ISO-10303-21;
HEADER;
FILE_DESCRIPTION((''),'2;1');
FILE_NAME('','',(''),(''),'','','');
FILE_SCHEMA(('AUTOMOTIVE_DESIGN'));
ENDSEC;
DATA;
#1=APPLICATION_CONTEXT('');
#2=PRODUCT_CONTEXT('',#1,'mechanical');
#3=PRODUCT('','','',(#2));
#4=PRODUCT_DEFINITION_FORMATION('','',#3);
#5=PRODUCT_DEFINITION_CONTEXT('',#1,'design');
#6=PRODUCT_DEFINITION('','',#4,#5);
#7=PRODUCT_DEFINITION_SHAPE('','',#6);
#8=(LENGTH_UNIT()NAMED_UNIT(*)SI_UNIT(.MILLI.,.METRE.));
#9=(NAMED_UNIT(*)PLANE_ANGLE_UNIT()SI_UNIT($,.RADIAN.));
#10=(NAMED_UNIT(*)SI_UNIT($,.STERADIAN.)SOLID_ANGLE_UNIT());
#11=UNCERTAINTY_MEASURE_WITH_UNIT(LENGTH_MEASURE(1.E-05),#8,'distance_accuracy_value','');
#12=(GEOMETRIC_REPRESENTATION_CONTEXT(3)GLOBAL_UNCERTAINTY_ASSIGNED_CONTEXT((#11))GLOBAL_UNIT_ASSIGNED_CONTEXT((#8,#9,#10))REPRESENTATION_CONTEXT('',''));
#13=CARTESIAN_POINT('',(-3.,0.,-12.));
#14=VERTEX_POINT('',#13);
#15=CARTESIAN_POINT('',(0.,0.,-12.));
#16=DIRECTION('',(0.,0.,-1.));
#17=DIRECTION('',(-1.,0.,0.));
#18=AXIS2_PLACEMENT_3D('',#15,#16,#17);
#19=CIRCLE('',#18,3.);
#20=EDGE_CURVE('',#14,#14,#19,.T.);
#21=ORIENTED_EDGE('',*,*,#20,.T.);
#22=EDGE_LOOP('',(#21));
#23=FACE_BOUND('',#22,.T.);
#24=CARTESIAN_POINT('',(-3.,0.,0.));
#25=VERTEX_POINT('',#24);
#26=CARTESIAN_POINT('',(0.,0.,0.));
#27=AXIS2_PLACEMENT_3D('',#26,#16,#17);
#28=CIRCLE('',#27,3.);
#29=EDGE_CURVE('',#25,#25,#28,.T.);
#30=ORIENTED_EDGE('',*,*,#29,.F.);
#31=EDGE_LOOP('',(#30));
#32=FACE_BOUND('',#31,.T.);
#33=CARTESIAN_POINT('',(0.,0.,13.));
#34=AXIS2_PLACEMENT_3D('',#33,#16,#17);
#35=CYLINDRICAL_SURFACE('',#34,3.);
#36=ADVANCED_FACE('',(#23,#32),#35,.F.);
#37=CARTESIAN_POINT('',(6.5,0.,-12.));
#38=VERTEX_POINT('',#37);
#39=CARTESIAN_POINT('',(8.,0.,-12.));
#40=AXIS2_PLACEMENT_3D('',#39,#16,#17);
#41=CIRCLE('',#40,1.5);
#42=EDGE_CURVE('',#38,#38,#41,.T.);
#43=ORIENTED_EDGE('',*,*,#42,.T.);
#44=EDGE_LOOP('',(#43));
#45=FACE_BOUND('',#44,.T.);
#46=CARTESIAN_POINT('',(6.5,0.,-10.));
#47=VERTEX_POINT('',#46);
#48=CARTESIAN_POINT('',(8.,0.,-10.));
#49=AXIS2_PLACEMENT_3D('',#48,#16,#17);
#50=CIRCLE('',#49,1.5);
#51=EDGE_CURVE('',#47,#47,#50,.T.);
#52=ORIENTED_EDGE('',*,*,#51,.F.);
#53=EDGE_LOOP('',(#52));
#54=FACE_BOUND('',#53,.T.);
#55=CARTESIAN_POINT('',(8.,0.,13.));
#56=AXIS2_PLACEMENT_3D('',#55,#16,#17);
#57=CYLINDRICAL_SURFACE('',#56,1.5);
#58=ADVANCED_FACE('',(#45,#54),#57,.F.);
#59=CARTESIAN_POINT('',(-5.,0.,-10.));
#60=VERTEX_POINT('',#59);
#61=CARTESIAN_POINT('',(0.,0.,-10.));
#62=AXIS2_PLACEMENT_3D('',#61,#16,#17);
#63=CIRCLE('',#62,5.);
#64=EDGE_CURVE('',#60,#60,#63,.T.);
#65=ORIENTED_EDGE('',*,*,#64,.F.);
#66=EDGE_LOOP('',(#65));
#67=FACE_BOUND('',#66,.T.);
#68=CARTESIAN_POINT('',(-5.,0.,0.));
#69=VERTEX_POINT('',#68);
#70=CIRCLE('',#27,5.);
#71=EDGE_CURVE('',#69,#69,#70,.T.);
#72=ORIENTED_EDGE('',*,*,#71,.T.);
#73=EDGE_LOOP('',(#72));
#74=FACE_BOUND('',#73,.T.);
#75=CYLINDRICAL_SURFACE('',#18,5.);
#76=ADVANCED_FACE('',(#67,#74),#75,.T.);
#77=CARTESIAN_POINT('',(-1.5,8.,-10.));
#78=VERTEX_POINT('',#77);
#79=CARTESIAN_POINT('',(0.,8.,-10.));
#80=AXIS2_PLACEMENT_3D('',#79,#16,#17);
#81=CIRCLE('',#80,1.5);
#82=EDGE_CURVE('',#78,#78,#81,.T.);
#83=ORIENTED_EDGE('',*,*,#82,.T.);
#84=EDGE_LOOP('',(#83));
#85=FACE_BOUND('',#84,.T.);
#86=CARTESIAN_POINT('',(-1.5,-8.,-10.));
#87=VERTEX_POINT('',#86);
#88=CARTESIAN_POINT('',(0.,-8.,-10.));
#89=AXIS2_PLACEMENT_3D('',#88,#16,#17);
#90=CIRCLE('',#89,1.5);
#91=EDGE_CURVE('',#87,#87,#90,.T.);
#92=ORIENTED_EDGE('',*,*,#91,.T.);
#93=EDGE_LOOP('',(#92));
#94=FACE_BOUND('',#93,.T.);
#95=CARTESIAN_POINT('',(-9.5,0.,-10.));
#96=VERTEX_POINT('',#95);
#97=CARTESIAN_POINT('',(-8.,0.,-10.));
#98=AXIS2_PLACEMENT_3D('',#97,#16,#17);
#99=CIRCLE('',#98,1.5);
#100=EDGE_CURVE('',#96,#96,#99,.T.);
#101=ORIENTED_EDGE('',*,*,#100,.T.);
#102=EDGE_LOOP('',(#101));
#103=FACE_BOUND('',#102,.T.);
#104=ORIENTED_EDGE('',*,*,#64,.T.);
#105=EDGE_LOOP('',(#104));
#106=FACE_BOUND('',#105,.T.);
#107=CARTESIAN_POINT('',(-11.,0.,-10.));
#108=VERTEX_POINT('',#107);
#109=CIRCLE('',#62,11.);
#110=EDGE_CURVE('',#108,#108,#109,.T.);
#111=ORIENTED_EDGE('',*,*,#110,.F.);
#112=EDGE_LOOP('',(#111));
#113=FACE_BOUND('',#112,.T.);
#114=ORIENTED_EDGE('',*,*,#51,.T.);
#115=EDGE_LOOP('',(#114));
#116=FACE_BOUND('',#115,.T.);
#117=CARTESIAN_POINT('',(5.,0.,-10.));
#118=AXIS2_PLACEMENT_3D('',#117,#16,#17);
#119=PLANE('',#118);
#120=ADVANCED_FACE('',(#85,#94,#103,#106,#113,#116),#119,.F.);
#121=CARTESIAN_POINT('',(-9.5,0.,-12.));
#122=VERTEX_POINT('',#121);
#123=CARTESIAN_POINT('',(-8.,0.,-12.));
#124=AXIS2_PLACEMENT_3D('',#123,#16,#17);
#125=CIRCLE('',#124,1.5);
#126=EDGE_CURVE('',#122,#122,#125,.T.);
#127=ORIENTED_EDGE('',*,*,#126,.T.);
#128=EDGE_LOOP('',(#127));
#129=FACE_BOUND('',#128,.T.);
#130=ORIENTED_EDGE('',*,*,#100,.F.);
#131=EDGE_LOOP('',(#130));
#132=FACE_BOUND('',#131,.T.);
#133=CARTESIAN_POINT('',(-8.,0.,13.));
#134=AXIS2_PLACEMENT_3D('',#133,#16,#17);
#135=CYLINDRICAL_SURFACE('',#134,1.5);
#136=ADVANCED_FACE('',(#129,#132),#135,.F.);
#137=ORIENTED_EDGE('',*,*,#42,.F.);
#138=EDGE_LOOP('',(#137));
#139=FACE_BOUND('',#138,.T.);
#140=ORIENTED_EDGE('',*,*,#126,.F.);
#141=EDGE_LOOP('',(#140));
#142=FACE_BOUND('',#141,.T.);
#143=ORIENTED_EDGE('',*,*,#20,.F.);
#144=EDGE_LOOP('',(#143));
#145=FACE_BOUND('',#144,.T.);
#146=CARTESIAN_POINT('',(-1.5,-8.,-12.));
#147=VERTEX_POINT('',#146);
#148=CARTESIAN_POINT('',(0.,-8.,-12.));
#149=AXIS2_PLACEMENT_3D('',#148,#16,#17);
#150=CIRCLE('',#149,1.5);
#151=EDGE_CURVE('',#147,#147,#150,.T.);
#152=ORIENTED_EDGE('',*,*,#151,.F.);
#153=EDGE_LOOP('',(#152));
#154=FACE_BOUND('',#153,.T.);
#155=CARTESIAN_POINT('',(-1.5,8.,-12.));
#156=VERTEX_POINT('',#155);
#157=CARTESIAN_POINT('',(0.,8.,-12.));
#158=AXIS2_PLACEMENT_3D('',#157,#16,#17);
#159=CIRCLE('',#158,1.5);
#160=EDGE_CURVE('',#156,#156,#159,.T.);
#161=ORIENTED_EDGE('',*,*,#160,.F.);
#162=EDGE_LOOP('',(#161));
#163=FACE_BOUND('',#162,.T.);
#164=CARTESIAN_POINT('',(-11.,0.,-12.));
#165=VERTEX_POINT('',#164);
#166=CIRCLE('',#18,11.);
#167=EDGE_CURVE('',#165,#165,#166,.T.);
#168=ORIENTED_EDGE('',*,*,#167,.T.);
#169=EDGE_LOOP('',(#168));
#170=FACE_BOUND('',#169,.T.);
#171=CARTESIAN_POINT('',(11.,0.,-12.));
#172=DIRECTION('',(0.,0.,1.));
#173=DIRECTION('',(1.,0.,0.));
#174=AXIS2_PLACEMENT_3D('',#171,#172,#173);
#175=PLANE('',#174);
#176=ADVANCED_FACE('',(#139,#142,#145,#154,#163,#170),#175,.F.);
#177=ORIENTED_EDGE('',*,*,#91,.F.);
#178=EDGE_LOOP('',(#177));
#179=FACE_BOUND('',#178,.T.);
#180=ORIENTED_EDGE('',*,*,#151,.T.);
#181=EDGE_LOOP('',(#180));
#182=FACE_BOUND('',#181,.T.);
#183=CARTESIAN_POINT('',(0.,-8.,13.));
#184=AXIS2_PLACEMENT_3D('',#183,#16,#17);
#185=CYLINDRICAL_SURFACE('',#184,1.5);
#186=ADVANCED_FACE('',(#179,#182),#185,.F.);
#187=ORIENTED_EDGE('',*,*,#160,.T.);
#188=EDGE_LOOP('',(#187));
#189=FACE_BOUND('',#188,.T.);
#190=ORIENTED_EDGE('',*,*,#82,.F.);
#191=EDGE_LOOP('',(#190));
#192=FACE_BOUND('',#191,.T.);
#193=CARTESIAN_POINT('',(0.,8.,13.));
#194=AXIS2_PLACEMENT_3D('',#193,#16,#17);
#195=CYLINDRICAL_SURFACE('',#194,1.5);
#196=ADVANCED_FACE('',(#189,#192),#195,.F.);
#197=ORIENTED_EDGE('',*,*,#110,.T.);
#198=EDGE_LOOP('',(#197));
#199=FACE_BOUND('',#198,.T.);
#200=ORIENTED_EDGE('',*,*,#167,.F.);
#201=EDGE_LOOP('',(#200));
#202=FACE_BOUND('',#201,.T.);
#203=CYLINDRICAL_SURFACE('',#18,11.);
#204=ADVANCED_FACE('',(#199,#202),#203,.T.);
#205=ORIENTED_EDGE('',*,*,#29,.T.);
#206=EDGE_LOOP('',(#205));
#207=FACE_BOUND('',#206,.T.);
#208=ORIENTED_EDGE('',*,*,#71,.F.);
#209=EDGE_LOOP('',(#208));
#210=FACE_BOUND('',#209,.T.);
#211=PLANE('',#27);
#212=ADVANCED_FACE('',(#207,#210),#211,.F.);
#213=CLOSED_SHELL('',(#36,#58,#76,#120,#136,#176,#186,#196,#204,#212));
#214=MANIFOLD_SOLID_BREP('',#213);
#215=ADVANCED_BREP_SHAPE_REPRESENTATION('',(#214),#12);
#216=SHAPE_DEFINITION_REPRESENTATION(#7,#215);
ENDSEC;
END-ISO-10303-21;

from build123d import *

# Parameters (mm, degrees)
SKETCH_2_R          = 1.5
SKETCH_2_R_2        = 3
CUT_EXTRUDE_1_DEPTH = 25


with BuildPart() as part:
    # 草图1 → 旋转1 (revolve)
    with BuildSketch(Plane(origin=(0, 0, 0), x_dir=(1, 0, 0), z_dir=(0, 1, 0))):
        Polygon((0, 0), (5, 0), (5, 10), (11, 10), (11, 12), (0, 12), align=None)
    revolve(axis=Axis((0, 0, -12), (0, 0, 1)))

    # 草图2 → 切除-拉伸1 (cut)
    with BuildSketch(Plane(origin=(0, 0, -12), x_dir=(-1, 0, 0), z_dir=(0, 0, -1))):
        with Locations((8, 0)):
            Circle(SKETCH_2_R)
        Circle(SKETCH_2_R_2)
        with Locations((0, -8)):
            Circle(SKETCH_2_R)
        with Locations((-8, 0)):
            Circle(SKETCH_2_R)
        with Locations((0, 8)):
            Circle(SKETCH_2_R)
    extrude(amount=-CUT_EXTRUDE_1_DEPTH, mode=Mode.SUBTRACT)


solid = part.part
